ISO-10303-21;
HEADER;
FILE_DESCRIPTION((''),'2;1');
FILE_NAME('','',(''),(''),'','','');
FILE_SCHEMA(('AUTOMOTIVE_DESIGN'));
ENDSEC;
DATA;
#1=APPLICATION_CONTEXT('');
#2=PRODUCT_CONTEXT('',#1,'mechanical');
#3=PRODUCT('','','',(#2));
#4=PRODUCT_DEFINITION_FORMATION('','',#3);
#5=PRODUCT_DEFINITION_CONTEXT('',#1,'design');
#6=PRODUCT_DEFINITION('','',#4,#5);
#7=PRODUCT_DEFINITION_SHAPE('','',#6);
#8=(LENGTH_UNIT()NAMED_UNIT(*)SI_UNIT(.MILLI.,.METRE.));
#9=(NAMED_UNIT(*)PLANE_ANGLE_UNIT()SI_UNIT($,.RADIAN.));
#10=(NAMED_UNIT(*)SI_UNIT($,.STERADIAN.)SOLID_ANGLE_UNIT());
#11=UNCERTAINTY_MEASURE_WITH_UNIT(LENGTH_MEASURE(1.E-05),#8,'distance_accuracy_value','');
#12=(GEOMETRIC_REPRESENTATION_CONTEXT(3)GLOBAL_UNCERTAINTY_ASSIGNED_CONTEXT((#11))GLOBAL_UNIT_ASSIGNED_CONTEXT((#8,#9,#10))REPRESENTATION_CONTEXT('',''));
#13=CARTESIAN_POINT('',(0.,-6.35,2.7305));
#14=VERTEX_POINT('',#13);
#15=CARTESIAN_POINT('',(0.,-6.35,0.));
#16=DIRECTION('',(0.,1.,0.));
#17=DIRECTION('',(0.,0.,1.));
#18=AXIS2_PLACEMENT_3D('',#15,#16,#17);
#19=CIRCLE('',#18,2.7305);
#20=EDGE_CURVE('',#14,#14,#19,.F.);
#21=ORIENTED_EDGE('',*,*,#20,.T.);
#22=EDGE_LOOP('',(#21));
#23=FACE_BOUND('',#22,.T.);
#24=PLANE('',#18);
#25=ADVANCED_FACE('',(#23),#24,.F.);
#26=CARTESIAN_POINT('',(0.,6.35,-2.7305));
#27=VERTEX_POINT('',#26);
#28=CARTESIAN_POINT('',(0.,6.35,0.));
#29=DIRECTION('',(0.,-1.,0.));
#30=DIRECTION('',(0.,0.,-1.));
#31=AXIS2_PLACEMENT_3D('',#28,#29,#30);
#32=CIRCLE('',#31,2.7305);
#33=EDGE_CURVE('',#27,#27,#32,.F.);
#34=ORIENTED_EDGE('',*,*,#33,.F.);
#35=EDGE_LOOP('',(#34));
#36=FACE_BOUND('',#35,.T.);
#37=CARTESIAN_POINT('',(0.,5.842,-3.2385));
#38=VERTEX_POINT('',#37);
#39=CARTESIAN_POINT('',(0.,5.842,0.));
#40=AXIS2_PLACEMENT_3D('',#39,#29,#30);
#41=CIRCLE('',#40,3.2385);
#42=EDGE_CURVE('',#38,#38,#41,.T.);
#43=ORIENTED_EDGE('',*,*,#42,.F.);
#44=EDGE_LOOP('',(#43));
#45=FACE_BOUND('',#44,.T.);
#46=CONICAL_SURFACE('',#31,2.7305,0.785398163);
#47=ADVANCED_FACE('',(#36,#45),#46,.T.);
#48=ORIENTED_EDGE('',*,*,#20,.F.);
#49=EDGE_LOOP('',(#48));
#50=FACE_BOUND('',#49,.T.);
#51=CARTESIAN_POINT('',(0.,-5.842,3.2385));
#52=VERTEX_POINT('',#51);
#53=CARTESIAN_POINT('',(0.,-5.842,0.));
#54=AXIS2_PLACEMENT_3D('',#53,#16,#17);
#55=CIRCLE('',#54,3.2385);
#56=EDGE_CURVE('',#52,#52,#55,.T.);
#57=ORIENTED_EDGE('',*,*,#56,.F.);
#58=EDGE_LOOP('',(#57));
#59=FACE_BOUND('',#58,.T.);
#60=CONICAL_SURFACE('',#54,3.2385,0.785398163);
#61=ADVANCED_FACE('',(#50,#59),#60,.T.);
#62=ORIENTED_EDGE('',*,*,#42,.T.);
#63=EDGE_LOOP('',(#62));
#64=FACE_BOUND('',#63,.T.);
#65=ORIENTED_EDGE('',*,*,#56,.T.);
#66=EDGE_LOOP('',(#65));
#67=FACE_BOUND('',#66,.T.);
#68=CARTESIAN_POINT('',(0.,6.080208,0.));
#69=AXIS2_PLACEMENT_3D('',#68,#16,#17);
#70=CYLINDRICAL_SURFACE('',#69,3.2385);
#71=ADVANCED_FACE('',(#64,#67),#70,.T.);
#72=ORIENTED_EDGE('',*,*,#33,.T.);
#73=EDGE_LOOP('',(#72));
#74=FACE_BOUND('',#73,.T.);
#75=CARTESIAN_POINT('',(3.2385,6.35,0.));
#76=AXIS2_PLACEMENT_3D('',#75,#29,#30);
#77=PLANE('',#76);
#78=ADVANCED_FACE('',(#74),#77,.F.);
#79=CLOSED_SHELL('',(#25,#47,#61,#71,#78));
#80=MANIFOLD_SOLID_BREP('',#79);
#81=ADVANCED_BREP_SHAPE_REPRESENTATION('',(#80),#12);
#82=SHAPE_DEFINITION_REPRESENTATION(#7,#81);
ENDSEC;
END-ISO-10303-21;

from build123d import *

# Parameters (mm, degrees)
SKETCH1_W     = 3.2385
SKETCH1_H     = 12.7
CHAMFER1_SIZE = 0.508


with BuildPart() as part:
    # Sketch1 → Revolve1 (revolve)
    with BuildSketch(Plane.XY):
        with Locations((1.61925, 0)):
            Rectangle(SKETCH1_W, SKETCH1_H)
    revolve(axis=Axis((0, 6.080207887, 0), (0, -1, 0)))

    # Chamfer1
    chamfer1_edges = [part.edges().sort_by_distance(p)[0] for p in [
        (-3.2385, 6.35, 0),
        (-3.2385, -6.35, 0),
    ]]
    chamfer(chamfer1_edges, length=CHAMFER1_SIZE)


solid = part.part
